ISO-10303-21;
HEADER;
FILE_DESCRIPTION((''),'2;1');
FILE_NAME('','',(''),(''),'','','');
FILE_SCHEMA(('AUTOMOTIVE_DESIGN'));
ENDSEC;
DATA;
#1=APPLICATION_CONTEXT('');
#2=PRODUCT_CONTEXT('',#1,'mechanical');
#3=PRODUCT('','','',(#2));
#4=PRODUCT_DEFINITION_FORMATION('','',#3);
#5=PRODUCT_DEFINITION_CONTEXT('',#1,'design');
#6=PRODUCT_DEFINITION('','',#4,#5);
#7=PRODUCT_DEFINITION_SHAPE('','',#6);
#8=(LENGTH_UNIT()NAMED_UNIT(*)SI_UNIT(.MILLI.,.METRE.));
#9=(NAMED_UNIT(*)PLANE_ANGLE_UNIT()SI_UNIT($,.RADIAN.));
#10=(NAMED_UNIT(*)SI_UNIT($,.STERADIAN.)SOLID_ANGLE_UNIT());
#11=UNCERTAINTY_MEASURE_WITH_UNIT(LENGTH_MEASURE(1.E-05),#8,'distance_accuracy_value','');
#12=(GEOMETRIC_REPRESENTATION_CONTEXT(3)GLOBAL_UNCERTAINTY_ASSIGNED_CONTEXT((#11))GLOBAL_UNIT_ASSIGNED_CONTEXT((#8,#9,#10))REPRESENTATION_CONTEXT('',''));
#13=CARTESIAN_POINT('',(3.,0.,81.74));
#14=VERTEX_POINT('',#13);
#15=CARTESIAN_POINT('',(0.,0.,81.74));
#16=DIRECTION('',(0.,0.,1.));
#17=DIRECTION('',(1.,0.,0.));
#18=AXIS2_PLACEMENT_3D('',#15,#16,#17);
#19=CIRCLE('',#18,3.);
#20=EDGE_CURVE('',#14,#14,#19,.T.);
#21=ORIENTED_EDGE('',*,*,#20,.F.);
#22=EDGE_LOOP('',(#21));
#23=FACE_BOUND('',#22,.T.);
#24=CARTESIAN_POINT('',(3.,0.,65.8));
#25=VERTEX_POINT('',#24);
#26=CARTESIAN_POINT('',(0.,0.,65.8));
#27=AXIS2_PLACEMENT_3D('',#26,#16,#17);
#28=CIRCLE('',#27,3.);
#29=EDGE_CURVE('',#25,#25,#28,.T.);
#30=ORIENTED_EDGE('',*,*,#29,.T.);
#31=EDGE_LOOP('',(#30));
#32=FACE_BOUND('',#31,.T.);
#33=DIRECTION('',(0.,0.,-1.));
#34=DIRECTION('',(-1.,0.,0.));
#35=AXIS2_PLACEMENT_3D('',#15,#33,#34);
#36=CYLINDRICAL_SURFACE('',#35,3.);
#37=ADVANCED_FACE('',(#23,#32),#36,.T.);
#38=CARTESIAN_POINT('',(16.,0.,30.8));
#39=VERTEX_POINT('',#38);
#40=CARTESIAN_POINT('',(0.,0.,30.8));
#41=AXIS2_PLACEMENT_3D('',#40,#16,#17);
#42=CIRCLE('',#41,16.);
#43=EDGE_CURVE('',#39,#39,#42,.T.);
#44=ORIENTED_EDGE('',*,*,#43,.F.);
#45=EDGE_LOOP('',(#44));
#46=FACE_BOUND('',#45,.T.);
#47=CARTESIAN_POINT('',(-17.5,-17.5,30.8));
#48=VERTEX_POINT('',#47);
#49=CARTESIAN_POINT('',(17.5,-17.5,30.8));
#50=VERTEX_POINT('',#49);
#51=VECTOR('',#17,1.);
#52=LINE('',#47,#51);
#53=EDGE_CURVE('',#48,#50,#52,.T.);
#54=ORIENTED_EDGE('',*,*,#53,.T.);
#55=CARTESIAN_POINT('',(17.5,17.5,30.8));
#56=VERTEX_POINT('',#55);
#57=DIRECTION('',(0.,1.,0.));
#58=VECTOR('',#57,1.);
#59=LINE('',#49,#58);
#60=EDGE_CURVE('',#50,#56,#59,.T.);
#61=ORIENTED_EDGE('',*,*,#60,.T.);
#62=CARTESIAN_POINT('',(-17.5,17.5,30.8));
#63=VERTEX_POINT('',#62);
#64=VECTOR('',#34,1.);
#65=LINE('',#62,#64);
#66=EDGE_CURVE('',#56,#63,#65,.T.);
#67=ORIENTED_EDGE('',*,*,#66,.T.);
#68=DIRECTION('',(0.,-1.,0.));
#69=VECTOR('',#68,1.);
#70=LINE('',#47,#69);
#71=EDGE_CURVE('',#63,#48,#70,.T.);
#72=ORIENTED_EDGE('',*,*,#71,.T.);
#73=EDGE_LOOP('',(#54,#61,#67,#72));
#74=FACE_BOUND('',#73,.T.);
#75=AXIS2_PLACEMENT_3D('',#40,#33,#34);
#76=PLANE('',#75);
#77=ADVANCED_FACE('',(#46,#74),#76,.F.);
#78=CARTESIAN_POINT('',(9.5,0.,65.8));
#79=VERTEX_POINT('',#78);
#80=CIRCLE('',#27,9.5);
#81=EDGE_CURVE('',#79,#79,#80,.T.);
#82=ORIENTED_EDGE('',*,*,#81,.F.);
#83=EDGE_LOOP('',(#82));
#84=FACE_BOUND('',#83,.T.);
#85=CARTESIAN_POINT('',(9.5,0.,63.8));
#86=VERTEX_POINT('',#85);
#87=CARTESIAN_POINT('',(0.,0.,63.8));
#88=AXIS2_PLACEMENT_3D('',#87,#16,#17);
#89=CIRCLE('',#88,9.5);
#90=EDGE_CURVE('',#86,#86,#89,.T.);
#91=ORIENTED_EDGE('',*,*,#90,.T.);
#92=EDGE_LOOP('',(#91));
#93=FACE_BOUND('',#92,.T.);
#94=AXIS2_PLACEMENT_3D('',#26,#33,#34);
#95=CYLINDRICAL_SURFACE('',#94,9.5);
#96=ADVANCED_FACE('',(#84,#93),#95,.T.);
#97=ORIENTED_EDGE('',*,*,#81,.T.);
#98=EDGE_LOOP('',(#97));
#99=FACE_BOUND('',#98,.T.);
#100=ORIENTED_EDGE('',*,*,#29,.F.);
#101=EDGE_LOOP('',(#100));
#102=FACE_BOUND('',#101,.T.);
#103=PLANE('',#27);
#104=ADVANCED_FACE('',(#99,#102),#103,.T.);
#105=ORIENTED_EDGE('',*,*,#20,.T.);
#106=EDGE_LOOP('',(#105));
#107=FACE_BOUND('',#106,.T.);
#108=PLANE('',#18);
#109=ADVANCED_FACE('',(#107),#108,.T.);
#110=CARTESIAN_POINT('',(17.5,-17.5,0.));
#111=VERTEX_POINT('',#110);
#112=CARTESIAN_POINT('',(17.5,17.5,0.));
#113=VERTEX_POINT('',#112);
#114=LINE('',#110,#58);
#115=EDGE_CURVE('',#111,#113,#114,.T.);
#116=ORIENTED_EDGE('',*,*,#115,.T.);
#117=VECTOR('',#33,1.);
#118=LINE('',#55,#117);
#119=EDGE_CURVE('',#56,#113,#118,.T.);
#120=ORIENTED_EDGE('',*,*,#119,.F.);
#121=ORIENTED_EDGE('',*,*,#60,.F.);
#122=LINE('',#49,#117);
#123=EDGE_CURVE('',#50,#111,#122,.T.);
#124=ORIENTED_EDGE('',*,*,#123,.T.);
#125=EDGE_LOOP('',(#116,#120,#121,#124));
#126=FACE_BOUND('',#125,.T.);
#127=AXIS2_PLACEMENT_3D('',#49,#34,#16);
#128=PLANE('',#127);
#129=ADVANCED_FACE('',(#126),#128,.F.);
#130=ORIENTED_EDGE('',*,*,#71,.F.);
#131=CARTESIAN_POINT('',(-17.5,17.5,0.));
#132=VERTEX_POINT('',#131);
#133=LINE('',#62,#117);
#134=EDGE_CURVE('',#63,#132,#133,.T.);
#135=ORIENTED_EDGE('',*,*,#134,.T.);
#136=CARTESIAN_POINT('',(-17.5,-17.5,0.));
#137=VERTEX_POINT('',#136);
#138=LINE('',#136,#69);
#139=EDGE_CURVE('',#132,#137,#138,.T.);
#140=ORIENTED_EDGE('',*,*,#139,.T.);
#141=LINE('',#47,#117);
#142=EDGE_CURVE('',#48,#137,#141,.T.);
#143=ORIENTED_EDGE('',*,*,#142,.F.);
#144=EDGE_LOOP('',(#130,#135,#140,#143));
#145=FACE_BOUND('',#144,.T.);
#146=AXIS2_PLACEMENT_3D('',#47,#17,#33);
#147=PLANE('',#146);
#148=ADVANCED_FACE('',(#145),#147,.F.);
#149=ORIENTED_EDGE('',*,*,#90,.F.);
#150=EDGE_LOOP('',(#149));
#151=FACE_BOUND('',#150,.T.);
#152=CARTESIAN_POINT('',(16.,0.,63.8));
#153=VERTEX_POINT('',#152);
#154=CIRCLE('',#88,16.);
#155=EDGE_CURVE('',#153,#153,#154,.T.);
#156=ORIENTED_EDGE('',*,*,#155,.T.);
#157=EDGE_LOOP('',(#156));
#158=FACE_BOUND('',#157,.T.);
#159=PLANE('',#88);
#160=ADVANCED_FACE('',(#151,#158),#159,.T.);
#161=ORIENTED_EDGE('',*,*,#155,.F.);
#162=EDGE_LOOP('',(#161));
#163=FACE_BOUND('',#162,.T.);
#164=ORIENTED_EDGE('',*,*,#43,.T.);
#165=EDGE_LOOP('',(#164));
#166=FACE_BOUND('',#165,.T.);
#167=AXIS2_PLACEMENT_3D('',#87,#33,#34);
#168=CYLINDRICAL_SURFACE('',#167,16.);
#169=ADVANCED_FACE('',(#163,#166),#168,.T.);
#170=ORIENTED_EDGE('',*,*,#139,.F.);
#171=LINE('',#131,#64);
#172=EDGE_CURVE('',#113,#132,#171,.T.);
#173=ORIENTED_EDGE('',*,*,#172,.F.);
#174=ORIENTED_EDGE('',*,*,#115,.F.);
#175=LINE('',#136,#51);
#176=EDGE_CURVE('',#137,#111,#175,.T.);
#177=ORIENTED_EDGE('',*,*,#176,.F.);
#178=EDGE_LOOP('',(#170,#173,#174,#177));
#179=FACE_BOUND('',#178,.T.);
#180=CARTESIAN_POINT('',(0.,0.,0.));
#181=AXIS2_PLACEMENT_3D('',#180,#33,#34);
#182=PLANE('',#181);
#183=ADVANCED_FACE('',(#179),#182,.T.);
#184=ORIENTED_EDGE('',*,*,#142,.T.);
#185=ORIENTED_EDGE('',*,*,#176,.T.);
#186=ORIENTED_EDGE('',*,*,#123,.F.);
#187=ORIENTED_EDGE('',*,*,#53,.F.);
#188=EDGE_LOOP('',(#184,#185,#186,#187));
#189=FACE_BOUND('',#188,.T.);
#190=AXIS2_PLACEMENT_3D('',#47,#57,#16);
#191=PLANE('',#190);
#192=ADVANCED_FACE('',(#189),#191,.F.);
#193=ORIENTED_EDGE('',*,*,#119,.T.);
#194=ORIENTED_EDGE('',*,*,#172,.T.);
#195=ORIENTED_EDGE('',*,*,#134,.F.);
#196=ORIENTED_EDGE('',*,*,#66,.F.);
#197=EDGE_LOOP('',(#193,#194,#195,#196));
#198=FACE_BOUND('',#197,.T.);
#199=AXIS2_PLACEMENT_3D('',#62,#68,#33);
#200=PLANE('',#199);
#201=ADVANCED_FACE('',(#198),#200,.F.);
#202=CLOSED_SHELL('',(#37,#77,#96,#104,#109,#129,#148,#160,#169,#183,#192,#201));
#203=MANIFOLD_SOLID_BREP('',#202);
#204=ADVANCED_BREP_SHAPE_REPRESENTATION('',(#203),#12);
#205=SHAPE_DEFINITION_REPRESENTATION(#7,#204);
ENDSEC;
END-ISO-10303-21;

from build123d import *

# Parameters (mm, degrees)
SKETCH1_W           = 35
SKETCH1_H           = 35
BOSS_EXTRUDE1_DEPTH = 30.8
SKETCH2_R           = 16
BOSS_EXTRUDE2_DEPTH = 33
SKETCH4_R           = 9.5
BOSS_EXTRUDE4_DEPTH = 2
SKETCH3_R           = 3
BOSS_EXTRUDE3_DEPTH = 15.94


with BuildPart() as part:
    # Sketch1 → Boss-Extrude1 (new body)
    with BuildSketch(Plane.XY):
        Rectangle(SKETCH1_W, SKETCH1_H)
    extrude(amount=BOSS_EXTRUDE1_DEPTH)

    # Sketch2 → Boss-Extrude2 (add)
    with BuildSketch(Plane.XY.offset(30.8)):
        Circle(SKETCH2_R)
    extrude(amount=BOSS_EXTRUDE2_DEPTH)

    # Sketch4 → Boss-Extrude4 (add)
    with BuildSketch(Plane.XY.offset(63.8)):
        Circle(SKETCH4_R)
    extrude(amount=BOSS_EXTRUDE4_DEPTH)

    # Sketch3 → Boss-Extrude3 (add)
    with BuildSketch(Plane.XY.offset(65.8)):
        Circle(SKETCH3_R)
    extrude(amount=BOSS_EXTRUDE3_DEPTH)


solid = part.part
